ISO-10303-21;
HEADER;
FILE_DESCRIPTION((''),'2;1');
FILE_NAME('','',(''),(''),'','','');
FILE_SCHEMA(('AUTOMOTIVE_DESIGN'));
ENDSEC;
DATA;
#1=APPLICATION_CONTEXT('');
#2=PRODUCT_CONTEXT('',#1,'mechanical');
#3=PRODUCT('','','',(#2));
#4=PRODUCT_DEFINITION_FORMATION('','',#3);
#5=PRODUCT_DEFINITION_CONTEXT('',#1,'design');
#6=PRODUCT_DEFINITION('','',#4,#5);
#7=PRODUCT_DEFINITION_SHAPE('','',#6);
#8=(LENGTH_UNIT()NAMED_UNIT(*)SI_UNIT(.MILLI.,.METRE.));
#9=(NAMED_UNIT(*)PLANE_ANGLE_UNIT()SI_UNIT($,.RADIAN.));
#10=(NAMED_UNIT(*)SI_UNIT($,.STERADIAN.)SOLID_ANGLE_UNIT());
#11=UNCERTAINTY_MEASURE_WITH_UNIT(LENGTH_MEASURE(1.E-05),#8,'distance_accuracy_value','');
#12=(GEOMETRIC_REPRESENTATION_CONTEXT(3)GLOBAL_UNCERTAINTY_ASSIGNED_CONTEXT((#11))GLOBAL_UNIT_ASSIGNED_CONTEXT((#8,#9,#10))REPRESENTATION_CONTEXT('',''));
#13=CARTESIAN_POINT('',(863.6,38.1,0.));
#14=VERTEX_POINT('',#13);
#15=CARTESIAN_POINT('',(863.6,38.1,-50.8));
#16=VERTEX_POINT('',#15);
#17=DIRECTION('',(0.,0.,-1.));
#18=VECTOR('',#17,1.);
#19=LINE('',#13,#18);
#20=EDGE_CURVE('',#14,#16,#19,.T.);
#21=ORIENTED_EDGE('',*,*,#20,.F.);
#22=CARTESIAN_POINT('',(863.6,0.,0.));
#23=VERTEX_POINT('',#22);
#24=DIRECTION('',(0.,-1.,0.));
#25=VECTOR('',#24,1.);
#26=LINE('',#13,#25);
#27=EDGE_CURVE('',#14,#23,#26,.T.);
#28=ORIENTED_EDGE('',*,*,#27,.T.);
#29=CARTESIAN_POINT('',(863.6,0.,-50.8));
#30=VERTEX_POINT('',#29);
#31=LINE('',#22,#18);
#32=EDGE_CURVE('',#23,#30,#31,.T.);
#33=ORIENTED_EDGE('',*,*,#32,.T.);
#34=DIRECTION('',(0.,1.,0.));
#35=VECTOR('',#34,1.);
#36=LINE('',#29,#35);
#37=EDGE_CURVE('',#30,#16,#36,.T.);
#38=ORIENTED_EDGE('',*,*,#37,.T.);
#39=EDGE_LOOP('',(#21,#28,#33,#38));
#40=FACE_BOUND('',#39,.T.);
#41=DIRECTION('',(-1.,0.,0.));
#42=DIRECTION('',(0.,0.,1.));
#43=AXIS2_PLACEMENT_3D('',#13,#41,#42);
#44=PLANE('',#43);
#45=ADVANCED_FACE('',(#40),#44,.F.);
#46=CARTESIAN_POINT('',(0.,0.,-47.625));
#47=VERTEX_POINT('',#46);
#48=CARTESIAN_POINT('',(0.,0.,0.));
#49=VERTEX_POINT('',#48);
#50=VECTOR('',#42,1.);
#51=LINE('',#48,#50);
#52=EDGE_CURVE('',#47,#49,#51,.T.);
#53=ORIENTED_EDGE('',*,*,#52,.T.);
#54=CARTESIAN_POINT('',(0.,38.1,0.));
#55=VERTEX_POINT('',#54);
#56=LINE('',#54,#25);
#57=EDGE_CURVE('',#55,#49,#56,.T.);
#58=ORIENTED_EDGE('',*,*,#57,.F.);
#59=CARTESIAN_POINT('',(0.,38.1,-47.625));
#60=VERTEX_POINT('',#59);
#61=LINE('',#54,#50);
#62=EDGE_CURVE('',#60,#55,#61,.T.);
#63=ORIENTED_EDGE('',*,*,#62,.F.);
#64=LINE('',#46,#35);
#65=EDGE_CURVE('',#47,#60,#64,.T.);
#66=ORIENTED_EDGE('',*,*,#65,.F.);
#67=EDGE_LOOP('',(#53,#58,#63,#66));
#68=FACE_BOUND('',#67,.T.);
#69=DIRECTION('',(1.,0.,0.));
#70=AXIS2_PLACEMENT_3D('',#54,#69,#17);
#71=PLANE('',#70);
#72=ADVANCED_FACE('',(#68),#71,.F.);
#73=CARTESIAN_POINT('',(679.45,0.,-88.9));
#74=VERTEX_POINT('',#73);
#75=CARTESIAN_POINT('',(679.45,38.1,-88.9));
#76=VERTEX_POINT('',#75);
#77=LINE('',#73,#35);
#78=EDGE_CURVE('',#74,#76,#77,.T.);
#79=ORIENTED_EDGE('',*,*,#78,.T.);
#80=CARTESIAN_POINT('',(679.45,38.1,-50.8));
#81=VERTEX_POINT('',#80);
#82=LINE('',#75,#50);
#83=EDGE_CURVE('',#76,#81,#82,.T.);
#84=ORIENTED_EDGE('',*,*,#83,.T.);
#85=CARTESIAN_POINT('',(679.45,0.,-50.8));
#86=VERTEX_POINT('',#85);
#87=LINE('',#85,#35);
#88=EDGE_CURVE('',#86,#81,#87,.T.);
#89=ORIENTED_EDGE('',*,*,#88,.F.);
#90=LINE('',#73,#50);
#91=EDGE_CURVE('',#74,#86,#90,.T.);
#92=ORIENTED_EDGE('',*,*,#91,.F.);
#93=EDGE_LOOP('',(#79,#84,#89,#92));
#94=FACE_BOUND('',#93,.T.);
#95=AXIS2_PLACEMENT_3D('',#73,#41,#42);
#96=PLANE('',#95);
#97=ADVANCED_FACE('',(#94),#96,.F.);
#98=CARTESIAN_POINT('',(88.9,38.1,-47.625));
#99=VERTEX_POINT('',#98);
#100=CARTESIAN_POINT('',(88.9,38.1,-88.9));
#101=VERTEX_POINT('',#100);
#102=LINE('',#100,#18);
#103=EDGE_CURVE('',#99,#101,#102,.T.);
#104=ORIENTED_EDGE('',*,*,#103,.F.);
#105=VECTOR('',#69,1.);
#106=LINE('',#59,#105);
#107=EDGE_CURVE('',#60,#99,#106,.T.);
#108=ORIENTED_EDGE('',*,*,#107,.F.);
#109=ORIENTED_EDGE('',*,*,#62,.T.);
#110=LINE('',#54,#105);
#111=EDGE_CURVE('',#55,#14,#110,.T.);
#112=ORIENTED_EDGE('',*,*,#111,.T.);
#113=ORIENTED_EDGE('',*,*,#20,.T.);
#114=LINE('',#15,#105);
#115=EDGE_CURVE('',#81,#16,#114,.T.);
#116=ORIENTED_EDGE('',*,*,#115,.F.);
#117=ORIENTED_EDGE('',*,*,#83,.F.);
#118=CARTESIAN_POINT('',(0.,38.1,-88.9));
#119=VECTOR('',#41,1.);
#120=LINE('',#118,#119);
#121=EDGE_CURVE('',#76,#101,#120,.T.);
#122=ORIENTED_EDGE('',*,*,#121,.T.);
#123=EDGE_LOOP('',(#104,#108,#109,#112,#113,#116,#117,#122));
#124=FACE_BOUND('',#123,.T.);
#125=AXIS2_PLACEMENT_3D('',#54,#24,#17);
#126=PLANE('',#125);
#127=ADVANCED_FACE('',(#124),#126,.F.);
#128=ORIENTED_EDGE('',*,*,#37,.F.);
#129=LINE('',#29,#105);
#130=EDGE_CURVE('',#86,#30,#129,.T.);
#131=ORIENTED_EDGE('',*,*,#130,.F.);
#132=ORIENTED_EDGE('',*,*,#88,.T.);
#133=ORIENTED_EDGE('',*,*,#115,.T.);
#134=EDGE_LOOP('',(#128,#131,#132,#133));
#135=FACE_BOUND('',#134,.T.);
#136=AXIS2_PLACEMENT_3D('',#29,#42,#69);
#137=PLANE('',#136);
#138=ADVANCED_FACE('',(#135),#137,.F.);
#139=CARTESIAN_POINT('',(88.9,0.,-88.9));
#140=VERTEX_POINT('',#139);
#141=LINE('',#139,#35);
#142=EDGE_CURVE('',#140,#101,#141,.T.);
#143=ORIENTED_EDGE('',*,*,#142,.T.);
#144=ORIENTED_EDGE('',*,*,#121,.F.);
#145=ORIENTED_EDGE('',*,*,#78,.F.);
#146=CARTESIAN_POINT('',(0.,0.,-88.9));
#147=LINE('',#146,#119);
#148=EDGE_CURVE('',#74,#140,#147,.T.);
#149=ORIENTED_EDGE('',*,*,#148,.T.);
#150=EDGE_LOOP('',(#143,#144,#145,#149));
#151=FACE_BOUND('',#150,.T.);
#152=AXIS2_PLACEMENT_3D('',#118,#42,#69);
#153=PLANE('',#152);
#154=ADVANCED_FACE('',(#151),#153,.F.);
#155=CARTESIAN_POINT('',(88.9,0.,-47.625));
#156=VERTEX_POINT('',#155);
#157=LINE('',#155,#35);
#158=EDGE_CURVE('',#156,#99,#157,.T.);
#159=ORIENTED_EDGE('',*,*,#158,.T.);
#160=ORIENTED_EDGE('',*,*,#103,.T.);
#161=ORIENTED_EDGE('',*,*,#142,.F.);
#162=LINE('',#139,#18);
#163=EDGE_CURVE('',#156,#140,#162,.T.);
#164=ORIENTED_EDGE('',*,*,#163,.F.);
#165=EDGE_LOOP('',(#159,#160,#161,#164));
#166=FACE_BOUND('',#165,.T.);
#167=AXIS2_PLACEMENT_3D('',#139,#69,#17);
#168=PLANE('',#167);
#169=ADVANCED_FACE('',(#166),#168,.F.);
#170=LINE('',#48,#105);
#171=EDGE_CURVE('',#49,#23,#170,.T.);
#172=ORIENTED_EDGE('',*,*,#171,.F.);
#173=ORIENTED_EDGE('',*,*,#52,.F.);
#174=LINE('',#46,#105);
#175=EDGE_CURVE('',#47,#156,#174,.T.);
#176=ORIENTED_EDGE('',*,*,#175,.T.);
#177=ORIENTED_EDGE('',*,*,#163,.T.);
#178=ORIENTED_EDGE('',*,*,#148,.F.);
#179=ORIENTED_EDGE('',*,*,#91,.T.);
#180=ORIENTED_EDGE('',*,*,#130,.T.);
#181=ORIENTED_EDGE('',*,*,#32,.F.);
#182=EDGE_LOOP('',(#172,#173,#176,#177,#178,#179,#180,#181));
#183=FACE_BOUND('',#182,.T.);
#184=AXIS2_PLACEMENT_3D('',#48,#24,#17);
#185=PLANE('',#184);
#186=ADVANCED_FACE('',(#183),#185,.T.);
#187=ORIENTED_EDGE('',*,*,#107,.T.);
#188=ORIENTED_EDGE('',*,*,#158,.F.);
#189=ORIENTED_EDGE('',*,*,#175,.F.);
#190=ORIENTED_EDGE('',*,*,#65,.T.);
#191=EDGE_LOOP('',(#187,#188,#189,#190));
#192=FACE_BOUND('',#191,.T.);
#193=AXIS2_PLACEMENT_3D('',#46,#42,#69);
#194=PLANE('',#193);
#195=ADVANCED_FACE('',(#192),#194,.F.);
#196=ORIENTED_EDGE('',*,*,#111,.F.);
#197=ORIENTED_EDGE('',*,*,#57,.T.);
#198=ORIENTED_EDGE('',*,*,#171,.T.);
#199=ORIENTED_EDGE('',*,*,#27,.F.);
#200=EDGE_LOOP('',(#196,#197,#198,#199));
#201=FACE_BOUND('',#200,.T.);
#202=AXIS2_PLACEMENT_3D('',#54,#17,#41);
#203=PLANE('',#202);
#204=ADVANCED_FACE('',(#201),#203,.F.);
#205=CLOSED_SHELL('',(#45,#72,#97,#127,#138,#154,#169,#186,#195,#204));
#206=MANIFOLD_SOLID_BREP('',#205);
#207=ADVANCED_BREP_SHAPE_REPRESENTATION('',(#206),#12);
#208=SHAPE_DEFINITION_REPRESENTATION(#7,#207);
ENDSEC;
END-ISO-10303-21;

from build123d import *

# Parameters (mm, degrees)
SKETCH1_W           = 863.6
SKETCH1_H           = 88.9
BOSS_EXTRUDE1_DEPTH = 38.1
SKETCH3_W           = 184.15
SKETCH3_H           = 38.1
CUT_EXTRUDE1_DEPTH  = 39.1
SKETCH4_W           = 88.9
SKETCH4_H           = 41.275
CUT_EXTRUDE2_DEPTH  = 39.1


with BuildPart() as part:
    # Sketch1 → Boss-Extrude1 (new body)
    with BuildSketch(Plane(origin=(0, 0, 0), x_dir=(1, 0, 0), z_dir=(0, 1, 0))):
        with Locations((431.8, 44.45)):
            Rectangle(SKETCH1_W, SKETCH1_H)
    extrude(amount=BOSS_EXTRUDE1_DEPTH)

    # Sketch3 → Cut-Extrude1 (cut, through all)
    with BuildSketch(Plane(origin=(0, 38.1, 0), x_dir=(1, 0, 0), z_dir=(0, 1, 0))):
        with Locations((771.525, 69.85)):
            Rectangle(SKETCH3_W, SKETCH3_H)
    extrude(amount=-CUT_EXTRUDE1_DEPTH, mode=Mode.SUBTRACT)

    # Sketch4 → Cut-Extrude2 (cut, through all)
    with BuildSketch(Plane(origin=(0, 38.1, 0), x_dir=(1, 0, 0), z_dir=(0, 1, 0))):
        with Locations((44.45, 68.2625)):
            Rectangle(SKETCH4_W, SKETCH4_H)
    extrude(amount=-CUT_EXTRUDE2_DEPTH, mode=Mode.SUBTRACT)


solid = part.part
